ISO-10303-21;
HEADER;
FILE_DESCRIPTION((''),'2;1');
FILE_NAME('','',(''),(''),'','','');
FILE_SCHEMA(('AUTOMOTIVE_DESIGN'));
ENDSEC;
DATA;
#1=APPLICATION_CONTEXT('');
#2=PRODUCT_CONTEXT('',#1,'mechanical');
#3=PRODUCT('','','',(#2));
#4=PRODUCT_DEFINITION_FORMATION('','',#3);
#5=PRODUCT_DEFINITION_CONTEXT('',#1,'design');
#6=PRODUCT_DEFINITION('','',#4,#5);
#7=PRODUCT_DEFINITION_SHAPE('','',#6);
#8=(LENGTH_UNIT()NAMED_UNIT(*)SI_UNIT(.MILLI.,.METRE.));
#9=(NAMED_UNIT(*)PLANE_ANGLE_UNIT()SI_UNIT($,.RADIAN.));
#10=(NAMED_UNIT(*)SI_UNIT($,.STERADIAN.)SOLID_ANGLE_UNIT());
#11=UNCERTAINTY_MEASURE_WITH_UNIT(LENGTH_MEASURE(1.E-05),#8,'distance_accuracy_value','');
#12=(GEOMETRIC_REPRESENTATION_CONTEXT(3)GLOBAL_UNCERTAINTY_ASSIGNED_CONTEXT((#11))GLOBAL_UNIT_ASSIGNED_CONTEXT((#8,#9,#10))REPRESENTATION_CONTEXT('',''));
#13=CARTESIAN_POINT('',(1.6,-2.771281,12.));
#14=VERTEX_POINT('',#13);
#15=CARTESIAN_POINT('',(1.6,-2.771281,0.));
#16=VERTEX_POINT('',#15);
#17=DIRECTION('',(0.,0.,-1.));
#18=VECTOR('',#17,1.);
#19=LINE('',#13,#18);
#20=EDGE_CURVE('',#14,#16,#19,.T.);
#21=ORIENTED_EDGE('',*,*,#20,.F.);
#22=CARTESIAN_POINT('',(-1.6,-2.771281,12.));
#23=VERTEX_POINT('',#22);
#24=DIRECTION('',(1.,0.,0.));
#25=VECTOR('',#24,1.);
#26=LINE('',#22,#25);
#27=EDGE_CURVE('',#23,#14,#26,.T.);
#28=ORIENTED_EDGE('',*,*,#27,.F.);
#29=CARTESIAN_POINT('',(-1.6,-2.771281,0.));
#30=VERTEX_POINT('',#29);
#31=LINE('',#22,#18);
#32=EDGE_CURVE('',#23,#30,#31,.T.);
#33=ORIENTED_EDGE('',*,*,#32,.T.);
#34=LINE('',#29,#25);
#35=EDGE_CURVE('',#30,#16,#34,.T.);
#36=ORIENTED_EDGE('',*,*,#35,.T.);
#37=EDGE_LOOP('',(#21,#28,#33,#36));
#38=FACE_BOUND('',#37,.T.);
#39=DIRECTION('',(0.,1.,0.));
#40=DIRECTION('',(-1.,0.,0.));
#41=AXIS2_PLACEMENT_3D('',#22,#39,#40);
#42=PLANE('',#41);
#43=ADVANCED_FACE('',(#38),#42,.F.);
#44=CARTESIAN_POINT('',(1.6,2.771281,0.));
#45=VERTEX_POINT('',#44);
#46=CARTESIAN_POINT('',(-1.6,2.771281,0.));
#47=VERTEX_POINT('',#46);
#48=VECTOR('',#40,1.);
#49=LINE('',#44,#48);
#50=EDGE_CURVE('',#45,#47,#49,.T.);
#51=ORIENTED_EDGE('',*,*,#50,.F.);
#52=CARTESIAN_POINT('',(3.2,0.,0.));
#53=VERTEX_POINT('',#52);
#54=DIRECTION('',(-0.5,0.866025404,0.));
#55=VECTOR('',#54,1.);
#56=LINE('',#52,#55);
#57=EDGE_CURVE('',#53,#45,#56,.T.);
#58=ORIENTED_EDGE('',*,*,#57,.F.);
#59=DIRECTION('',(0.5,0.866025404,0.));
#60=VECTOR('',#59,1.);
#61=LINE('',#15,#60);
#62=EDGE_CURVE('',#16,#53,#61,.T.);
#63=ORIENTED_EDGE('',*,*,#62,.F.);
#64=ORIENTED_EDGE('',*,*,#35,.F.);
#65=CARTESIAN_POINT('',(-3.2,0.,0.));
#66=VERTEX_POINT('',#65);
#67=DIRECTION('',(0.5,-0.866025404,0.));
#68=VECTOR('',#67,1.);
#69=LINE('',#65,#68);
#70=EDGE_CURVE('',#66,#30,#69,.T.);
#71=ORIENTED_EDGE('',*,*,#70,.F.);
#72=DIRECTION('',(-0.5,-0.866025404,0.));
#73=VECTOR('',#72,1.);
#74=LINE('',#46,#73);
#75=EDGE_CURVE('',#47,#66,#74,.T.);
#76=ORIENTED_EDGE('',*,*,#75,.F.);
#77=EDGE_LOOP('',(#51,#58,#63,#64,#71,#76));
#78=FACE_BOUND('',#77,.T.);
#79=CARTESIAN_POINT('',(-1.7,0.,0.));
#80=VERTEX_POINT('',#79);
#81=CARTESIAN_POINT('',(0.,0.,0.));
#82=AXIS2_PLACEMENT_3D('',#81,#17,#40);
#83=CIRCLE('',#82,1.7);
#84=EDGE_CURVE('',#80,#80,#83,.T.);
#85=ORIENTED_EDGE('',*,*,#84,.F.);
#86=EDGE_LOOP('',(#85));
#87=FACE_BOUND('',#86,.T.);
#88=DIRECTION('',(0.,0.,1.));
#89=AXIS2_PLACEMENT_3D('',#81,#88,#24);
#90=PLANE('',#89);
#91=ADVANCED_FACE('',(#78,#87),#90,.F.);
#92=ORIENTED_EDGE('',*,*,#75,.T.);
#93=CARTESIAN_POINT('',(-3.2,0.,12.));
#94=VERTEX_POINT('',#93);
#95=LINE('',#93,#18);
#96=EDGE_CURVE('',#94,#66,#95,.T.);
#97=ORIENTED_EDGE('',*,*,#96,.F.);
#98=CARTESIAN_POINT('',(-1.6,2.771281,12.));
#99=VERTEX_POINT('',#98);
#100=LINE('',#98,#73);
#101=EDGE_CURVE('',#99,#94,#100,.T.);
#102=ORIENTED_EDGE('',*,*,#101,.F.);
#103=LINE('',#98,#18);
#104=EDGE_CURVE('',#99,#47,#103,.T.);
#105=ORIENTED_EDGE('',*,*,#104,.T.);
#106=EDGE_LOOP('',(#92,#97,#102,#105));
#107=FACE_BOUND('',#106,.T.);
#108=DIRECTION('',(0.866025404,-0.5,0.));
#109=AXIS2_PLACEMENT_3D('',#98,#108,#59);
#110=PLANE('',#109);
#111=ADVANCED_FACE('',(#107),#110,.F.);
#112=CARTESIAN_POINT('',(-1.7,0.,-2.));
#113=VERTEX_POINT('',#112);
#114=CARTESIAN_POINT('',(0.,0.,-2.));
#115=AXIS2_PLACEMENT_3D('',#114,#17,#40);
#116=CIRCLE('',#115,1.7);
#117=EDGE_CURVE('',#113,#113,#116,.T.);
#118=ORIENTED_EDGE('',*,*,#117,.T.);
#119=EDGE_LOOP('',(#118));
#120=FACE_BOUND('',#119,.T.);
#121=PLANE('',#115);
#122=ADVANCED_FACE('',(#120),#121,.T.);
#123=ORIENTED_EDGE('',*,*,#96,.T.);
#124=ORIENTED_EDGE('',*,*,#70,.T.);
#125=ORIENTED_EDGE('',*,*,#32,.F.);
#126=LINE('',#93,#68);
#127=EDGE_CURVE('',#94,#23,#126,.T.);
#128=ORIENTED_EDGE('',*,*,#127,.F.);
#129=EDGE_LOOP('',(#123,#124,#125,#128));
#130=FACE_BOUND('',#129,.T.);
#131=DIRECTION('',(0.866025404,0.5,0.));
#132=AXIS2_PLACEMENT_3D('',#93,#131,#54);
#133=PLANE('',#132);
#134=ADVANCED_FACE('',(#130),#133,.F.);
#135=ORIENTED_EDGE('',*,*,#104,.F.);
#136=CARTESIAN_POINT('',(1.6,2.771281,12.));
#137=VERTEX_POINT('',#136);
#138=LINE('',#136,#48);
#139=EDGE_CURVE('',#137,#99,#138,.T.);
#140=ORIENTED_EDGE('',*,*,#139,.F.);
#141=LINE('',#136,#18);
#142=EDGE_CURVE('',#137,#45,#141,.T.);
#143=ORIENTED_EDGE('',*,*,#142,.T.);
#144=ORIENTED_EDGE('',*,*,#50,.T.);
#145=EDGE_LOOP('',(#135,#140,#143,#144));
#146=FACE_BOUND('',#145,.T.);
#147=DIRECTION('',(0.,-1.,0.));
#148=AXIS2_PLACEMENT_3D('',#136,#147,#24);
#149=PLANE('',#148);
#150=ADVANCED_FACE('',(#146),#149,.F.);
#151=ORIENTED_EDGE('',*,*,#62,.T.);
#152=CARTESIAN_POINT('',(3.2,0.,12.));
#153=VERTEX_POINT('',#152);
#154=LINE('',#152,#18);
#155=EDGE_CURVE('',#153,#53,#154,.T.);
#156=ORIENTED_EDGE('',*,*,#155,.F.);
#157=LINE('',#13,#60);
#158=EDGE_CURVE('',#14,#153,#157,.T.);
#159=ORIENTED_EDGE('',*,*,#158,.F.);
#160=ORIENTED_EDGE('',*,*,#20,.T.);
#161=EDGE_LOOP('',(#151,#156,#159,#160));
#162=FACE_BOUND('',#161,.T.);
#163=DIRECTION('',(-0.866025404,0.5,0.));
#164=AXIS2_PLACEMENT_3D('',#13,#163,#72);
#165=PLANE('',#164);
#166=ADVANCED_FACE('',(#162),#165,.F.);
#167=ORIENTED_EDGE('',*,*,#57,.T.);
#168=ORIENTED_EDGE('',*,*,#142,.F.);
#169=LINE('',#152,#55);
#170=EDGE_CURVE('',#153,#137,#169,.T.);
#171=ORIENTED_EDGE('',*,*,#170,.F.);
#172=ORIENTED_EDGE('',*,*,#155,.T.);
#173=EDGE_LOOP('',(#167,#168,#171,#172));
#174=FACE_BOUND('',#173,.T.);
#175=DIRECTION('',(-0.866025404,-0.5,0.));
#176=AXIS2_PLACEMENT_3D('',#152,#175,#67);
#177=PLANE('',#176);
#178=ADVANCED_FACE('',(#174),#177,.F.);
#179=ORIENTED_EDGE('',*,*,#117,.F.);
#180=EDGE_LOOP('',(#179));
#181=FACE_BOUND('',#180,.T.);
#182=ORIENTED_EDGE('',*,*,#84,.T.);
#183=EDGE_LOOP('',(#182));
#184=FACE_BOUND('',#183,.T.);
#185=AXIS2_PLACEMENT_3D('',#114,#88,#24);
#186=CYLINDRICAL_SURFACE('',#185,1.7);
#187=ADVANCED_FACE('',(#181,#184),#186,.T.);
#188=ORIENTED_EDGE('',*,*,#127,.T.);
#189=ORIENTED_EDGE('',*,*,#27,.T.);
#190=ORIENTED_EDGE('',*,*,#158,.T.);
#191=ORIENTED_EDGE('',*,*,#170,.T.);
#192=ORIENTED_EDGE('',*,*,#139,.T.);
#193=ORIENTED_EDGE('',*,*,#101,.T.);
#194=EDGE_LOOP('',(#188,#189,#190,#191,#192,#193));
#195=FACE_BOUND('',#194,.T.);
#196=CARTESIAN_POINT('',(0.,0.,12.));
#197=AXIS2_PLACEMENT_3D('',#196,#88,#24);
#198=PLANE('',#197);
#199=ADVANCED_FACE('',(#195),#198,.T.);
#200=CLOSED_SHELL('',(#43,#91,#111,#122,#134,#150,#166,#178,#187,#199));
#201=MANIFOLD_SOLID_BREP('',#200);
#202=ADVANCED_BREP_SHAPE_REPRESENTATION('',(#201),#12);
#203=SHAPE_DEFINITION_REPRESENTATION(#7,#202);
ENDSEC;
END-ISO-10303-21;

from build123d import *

# Parameters (mm, degrees)
EXTRUDE_1_DEPTH = 12
SKETCH_2_R      = 1.7
EXTRUDE_2_DEPTH = 2


with BuildPart() as part:
    # 草图1 → 凸台-拉伸1 (new body)
    with BuildSketch(Plane.XY):
        Polygon((1.6, 2.771281292), (-1.6, 2.771281292), (-3.2, 0), (-1.6, -2.771281292), (1.6, -2.771281292), (3.2, 0), align=None)
    extrude(amount=EXTRUDE_1_DEPTH)

    # 草图2 → 凸台-拉伸2 (add)
    with BuildSketch(Plane(origin=(0, 0, 0), x_dir=(-1, 0, 0), z_dir=(0, 0, -1))):
        Circle(SKETCH_2_R)
    extrude(amount=EXTRUDE_2_DEPTH)


solid = part.part
